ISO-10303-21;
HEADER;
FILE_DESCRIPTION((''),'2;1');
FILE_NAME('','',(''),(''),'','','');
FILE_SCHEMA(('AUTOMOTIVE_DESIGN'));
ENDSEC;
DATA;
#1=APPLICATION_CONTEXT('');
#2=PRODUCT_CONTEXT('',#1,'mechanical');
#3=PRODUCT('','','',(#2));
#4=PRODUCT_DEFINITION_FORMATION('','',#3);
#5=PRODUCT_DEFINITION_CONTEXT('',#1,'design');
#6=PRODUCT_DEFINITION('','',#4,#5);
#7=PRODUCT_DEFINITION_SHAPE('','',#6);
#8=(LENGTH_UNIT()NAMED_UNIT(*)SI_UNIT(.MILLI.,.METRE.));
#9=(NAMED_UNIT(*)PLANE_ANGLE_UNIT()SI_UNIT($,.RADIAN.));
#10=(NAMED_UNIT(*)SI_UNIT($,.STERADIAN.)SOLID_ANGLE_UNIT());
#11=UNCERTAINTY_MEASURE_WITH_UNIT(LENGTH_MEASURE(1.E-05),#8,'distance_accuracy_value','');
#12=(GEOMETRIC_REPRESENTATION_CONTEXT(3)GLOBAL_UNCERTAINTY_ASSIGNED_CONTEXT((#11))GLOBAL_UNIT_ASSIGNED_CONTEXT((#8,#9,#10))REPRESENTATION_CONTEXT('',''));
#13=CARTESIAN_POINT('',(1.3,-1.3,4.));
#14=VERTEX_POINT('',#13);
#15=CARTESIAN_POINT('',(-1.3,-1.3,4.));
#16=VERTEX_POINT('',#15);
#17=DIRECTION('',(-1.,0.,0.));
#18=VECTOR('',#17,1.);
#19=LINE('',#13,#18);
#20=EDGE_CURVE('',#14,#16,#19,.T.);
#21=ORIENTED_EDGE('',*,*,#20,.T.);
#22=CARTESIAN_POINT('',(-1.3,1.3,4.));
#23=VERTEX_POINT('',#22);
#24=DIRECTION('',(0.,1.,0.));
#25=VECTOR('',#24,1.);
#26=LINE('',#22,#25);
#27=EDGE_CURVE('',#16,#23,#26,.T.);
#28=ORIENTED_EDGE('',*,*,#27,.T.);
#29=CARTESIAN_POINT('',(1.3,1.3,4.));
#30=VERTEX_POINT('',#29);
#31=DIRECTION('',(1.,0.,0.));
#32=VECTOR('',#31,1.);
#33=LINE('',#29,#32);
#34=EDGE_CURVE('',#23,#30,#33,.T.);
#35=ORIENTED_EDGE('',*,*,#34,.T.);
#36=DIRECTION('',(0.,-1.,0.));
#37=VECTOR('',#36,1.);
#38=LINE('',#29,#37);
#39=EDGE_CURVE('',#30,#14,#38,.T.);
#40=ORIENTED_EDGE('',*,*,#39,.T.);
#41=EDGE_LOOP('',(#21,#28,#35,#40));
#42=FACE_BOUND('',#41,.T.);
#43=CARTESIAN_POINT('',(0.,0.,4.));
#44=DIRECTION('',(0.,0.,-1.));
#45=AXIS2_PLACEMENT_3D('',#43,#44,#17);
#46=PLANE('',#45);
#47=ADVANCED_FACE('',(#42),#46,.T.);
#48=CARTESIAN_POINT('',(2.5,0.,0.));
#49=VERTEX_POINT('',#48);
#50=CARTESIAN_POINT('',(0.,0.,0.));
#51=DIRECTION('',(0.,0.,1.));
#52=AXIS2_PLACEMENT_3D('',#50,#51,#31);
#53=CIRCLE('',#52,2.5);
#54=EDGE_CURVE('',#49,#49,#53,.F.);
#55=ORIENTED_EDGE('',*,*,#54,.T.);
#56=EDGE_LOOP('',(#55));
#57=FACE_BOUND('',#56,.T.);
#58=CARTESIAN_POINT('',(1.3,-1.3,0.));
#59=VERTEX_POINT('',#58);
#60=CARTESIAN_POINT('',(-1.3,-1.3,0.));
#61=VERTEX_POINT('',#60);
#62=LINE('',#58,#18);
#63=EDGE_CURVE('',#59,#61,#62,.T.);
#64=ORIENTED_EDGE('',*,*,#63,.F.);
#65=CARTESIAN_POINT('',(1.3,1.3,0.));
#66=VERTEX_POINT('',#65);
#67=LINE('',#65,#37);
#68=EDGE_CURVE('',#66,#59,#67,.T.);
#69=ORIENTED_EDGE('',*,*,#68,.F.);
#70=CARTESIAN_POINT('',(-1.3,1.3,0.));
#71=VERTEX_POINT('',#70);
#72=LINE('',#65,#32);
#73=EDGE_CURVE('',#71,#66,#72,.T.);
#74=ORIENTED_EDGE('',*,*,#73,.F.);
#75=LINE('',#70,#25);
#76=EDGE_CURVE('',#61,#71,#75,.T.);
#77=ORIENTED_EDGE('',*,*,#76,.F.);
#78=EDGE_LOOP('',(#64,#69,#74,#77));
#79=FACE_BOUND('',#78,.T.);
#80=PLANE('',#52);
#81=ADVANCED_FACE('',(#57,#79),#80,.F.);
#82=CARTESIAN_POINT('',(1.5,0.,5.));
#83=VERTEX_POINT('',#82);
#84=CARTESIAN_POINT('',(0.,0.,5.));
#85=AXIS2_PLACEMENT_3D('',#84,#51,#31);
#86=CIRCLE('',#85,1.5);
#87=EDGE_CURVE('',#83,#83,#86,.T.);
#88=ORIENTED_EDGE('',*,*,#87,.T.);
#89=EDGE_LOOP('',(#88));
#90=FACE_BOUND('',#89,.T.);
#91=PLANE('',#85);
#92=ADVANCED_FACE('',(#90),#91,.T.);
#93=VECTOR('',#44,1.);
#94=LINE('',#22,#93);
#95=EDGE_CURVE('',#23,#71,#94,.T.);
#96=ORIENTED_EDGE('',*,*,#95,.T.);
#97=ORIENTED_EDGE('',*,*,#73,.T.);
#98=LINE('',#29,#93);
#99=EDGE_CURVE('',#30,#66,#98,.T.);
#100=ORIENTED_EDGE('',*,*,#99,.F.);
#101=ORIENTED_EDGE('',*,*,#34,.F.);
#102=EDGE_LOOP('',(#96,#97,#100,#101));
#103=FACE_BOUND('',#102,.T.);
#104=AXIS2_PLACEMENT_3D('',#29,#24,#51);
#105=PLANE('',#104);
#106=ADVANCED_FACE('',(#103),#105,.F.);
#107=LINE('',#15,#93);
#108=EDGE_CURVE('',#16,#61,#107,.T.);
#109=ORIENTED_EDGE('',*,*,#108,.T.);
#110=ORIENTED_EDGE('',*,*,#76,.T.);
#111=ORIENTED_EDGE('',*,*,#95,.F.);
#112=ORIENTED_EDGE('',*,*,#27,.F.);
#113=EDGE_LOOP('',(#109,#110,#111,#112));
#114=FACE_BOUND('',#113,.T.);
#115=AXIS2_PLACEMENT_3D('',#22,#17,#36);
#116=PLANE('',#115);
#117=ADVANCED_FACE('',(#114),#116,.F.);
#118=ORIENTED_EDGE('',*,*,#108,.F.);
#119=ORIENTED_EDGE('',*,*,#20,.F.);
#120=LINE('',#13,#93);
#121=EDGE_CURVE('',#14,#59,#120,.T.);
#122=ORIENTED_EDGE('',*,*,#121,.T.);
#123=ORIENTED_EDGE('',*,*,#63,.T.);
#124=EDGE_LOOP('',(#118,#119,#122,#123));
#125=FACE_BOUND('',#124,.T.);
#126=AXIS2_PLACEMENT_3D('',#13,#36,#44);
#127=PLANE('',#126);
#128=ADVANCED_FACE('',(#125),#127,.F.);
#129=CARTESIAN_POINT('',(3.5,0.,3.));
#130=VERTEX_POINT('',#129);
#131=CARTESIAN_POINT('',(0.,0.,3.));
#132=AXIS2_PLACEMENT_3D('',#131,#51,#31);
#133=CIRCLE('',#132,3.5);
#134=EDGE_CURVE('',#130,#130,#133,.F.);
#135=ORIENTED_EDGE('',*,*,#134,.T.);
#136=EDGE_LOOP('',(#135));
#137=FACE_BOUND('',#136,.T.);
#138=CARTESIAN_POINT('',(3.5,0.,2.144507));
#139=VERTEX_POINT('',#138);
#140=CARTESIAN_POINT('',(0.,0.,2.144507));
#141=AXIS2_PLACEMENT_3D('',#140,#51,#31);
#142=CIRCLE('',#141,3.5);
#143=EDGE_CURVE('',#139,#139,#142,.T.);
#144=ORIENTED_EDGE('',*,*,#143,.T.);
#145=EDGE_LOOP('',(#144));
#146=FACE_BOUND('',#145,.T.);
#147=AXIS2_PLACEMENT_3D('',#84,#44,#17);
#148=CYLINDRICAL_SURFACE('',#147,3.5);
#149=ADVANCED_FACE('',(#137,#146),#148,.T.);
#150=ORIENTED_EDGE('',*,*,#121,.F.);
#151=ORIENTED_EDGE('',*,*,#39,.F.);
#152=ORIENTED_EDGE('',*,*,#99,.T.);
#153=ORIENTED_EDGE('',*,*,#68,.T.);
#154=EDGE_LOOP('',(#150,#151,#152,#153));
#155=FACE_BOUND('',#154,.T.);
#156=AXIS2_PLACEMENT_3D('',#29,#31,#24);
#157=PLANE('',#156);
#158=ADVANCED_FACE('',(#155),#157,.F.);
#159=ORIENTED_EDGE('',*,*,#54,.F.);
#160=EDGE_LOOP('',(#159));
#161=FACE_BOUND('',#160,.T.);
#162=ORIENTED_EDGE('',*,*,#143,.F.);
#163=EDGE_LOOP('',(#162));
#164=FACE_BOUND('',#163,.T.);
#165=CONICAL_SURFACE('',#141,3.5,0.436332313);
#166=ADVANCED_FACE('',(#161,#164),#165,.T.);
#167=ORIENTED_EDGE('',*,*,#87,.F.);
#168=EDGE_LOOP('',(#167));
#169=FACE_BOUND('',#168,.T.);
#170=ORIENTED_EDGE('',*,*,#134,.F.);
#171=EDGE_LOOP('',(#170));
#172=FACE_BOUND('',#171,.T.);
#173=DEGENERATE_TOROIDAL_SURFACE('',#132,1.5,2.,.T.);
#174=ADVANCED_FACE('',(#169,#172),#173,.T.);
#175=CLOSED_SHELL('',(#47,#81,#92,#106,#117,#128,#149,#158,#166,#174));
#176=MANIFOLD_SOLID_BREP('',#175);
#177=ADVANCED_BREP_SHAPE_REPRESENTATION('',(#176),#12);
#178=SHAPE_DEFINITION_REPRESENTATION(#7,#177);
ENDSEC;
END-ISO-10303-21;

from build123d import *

# Parameters (mm, degrees)
SKETCH_1_R          = 3.5
EXTRUDE_1_DEPTH     = 5
FILLET_1_R          = 2
SKETCH_2_W          = 2.6
SKETCH_2_H          = 2.6
CUT_EXTRUDE_1_DEPTH = 4
CHAMFER_1_SIZE      = 1
CHAMFER_1_SIZE2     = 2.144506921


with BuildPart() as part:
    # Эскиз1 → Бобышка-Вытянуть1 (new body)
    with BuildSketch(Plane.XY):
        Circle(SKETCH_1_R)
    extrude(amount=EXTRUDE_1_DEPTH)

    # Скругление1
    fillet_1_edges = [part.edges().sort_by_distance(p)[0] for p in [
        (-3.5, 0, 5),
    ]]
    fillet(fillet_1_edges, radius=FILLET_1_R)

    # Эскиз2 → Вырез-Вытянуть1 (cut)
    with BuildSketch(Plane(origin=(0, 0, 0), x_dir=(-1, 0, 0), z_dir=(0, 0, -1))):
        Rectangle(SKETCH_2_W, SKETCH_2_H)
    extrude(amount=-CUT_EXTRUDE_1_DEPTH, mode=Mode.SUBTRACT)

    # Фаска1
    chamfer_1_edges = [part.edges().sort_by_distance(p)[0] for p in [
        (-3.5, 0, 0),
    ]]
    chamfer_1_side = [part.faces().sort_by_distance(p)[0] for p in [
        (-3.401005051, 0, 0),
    ]]
    chamfer(chamfer_1_edges, length=CHAMFER_1_SIZE, length2=CHAMFER_1_SIZE2, reference=chamfer_1_side[0])


solid = part.part
